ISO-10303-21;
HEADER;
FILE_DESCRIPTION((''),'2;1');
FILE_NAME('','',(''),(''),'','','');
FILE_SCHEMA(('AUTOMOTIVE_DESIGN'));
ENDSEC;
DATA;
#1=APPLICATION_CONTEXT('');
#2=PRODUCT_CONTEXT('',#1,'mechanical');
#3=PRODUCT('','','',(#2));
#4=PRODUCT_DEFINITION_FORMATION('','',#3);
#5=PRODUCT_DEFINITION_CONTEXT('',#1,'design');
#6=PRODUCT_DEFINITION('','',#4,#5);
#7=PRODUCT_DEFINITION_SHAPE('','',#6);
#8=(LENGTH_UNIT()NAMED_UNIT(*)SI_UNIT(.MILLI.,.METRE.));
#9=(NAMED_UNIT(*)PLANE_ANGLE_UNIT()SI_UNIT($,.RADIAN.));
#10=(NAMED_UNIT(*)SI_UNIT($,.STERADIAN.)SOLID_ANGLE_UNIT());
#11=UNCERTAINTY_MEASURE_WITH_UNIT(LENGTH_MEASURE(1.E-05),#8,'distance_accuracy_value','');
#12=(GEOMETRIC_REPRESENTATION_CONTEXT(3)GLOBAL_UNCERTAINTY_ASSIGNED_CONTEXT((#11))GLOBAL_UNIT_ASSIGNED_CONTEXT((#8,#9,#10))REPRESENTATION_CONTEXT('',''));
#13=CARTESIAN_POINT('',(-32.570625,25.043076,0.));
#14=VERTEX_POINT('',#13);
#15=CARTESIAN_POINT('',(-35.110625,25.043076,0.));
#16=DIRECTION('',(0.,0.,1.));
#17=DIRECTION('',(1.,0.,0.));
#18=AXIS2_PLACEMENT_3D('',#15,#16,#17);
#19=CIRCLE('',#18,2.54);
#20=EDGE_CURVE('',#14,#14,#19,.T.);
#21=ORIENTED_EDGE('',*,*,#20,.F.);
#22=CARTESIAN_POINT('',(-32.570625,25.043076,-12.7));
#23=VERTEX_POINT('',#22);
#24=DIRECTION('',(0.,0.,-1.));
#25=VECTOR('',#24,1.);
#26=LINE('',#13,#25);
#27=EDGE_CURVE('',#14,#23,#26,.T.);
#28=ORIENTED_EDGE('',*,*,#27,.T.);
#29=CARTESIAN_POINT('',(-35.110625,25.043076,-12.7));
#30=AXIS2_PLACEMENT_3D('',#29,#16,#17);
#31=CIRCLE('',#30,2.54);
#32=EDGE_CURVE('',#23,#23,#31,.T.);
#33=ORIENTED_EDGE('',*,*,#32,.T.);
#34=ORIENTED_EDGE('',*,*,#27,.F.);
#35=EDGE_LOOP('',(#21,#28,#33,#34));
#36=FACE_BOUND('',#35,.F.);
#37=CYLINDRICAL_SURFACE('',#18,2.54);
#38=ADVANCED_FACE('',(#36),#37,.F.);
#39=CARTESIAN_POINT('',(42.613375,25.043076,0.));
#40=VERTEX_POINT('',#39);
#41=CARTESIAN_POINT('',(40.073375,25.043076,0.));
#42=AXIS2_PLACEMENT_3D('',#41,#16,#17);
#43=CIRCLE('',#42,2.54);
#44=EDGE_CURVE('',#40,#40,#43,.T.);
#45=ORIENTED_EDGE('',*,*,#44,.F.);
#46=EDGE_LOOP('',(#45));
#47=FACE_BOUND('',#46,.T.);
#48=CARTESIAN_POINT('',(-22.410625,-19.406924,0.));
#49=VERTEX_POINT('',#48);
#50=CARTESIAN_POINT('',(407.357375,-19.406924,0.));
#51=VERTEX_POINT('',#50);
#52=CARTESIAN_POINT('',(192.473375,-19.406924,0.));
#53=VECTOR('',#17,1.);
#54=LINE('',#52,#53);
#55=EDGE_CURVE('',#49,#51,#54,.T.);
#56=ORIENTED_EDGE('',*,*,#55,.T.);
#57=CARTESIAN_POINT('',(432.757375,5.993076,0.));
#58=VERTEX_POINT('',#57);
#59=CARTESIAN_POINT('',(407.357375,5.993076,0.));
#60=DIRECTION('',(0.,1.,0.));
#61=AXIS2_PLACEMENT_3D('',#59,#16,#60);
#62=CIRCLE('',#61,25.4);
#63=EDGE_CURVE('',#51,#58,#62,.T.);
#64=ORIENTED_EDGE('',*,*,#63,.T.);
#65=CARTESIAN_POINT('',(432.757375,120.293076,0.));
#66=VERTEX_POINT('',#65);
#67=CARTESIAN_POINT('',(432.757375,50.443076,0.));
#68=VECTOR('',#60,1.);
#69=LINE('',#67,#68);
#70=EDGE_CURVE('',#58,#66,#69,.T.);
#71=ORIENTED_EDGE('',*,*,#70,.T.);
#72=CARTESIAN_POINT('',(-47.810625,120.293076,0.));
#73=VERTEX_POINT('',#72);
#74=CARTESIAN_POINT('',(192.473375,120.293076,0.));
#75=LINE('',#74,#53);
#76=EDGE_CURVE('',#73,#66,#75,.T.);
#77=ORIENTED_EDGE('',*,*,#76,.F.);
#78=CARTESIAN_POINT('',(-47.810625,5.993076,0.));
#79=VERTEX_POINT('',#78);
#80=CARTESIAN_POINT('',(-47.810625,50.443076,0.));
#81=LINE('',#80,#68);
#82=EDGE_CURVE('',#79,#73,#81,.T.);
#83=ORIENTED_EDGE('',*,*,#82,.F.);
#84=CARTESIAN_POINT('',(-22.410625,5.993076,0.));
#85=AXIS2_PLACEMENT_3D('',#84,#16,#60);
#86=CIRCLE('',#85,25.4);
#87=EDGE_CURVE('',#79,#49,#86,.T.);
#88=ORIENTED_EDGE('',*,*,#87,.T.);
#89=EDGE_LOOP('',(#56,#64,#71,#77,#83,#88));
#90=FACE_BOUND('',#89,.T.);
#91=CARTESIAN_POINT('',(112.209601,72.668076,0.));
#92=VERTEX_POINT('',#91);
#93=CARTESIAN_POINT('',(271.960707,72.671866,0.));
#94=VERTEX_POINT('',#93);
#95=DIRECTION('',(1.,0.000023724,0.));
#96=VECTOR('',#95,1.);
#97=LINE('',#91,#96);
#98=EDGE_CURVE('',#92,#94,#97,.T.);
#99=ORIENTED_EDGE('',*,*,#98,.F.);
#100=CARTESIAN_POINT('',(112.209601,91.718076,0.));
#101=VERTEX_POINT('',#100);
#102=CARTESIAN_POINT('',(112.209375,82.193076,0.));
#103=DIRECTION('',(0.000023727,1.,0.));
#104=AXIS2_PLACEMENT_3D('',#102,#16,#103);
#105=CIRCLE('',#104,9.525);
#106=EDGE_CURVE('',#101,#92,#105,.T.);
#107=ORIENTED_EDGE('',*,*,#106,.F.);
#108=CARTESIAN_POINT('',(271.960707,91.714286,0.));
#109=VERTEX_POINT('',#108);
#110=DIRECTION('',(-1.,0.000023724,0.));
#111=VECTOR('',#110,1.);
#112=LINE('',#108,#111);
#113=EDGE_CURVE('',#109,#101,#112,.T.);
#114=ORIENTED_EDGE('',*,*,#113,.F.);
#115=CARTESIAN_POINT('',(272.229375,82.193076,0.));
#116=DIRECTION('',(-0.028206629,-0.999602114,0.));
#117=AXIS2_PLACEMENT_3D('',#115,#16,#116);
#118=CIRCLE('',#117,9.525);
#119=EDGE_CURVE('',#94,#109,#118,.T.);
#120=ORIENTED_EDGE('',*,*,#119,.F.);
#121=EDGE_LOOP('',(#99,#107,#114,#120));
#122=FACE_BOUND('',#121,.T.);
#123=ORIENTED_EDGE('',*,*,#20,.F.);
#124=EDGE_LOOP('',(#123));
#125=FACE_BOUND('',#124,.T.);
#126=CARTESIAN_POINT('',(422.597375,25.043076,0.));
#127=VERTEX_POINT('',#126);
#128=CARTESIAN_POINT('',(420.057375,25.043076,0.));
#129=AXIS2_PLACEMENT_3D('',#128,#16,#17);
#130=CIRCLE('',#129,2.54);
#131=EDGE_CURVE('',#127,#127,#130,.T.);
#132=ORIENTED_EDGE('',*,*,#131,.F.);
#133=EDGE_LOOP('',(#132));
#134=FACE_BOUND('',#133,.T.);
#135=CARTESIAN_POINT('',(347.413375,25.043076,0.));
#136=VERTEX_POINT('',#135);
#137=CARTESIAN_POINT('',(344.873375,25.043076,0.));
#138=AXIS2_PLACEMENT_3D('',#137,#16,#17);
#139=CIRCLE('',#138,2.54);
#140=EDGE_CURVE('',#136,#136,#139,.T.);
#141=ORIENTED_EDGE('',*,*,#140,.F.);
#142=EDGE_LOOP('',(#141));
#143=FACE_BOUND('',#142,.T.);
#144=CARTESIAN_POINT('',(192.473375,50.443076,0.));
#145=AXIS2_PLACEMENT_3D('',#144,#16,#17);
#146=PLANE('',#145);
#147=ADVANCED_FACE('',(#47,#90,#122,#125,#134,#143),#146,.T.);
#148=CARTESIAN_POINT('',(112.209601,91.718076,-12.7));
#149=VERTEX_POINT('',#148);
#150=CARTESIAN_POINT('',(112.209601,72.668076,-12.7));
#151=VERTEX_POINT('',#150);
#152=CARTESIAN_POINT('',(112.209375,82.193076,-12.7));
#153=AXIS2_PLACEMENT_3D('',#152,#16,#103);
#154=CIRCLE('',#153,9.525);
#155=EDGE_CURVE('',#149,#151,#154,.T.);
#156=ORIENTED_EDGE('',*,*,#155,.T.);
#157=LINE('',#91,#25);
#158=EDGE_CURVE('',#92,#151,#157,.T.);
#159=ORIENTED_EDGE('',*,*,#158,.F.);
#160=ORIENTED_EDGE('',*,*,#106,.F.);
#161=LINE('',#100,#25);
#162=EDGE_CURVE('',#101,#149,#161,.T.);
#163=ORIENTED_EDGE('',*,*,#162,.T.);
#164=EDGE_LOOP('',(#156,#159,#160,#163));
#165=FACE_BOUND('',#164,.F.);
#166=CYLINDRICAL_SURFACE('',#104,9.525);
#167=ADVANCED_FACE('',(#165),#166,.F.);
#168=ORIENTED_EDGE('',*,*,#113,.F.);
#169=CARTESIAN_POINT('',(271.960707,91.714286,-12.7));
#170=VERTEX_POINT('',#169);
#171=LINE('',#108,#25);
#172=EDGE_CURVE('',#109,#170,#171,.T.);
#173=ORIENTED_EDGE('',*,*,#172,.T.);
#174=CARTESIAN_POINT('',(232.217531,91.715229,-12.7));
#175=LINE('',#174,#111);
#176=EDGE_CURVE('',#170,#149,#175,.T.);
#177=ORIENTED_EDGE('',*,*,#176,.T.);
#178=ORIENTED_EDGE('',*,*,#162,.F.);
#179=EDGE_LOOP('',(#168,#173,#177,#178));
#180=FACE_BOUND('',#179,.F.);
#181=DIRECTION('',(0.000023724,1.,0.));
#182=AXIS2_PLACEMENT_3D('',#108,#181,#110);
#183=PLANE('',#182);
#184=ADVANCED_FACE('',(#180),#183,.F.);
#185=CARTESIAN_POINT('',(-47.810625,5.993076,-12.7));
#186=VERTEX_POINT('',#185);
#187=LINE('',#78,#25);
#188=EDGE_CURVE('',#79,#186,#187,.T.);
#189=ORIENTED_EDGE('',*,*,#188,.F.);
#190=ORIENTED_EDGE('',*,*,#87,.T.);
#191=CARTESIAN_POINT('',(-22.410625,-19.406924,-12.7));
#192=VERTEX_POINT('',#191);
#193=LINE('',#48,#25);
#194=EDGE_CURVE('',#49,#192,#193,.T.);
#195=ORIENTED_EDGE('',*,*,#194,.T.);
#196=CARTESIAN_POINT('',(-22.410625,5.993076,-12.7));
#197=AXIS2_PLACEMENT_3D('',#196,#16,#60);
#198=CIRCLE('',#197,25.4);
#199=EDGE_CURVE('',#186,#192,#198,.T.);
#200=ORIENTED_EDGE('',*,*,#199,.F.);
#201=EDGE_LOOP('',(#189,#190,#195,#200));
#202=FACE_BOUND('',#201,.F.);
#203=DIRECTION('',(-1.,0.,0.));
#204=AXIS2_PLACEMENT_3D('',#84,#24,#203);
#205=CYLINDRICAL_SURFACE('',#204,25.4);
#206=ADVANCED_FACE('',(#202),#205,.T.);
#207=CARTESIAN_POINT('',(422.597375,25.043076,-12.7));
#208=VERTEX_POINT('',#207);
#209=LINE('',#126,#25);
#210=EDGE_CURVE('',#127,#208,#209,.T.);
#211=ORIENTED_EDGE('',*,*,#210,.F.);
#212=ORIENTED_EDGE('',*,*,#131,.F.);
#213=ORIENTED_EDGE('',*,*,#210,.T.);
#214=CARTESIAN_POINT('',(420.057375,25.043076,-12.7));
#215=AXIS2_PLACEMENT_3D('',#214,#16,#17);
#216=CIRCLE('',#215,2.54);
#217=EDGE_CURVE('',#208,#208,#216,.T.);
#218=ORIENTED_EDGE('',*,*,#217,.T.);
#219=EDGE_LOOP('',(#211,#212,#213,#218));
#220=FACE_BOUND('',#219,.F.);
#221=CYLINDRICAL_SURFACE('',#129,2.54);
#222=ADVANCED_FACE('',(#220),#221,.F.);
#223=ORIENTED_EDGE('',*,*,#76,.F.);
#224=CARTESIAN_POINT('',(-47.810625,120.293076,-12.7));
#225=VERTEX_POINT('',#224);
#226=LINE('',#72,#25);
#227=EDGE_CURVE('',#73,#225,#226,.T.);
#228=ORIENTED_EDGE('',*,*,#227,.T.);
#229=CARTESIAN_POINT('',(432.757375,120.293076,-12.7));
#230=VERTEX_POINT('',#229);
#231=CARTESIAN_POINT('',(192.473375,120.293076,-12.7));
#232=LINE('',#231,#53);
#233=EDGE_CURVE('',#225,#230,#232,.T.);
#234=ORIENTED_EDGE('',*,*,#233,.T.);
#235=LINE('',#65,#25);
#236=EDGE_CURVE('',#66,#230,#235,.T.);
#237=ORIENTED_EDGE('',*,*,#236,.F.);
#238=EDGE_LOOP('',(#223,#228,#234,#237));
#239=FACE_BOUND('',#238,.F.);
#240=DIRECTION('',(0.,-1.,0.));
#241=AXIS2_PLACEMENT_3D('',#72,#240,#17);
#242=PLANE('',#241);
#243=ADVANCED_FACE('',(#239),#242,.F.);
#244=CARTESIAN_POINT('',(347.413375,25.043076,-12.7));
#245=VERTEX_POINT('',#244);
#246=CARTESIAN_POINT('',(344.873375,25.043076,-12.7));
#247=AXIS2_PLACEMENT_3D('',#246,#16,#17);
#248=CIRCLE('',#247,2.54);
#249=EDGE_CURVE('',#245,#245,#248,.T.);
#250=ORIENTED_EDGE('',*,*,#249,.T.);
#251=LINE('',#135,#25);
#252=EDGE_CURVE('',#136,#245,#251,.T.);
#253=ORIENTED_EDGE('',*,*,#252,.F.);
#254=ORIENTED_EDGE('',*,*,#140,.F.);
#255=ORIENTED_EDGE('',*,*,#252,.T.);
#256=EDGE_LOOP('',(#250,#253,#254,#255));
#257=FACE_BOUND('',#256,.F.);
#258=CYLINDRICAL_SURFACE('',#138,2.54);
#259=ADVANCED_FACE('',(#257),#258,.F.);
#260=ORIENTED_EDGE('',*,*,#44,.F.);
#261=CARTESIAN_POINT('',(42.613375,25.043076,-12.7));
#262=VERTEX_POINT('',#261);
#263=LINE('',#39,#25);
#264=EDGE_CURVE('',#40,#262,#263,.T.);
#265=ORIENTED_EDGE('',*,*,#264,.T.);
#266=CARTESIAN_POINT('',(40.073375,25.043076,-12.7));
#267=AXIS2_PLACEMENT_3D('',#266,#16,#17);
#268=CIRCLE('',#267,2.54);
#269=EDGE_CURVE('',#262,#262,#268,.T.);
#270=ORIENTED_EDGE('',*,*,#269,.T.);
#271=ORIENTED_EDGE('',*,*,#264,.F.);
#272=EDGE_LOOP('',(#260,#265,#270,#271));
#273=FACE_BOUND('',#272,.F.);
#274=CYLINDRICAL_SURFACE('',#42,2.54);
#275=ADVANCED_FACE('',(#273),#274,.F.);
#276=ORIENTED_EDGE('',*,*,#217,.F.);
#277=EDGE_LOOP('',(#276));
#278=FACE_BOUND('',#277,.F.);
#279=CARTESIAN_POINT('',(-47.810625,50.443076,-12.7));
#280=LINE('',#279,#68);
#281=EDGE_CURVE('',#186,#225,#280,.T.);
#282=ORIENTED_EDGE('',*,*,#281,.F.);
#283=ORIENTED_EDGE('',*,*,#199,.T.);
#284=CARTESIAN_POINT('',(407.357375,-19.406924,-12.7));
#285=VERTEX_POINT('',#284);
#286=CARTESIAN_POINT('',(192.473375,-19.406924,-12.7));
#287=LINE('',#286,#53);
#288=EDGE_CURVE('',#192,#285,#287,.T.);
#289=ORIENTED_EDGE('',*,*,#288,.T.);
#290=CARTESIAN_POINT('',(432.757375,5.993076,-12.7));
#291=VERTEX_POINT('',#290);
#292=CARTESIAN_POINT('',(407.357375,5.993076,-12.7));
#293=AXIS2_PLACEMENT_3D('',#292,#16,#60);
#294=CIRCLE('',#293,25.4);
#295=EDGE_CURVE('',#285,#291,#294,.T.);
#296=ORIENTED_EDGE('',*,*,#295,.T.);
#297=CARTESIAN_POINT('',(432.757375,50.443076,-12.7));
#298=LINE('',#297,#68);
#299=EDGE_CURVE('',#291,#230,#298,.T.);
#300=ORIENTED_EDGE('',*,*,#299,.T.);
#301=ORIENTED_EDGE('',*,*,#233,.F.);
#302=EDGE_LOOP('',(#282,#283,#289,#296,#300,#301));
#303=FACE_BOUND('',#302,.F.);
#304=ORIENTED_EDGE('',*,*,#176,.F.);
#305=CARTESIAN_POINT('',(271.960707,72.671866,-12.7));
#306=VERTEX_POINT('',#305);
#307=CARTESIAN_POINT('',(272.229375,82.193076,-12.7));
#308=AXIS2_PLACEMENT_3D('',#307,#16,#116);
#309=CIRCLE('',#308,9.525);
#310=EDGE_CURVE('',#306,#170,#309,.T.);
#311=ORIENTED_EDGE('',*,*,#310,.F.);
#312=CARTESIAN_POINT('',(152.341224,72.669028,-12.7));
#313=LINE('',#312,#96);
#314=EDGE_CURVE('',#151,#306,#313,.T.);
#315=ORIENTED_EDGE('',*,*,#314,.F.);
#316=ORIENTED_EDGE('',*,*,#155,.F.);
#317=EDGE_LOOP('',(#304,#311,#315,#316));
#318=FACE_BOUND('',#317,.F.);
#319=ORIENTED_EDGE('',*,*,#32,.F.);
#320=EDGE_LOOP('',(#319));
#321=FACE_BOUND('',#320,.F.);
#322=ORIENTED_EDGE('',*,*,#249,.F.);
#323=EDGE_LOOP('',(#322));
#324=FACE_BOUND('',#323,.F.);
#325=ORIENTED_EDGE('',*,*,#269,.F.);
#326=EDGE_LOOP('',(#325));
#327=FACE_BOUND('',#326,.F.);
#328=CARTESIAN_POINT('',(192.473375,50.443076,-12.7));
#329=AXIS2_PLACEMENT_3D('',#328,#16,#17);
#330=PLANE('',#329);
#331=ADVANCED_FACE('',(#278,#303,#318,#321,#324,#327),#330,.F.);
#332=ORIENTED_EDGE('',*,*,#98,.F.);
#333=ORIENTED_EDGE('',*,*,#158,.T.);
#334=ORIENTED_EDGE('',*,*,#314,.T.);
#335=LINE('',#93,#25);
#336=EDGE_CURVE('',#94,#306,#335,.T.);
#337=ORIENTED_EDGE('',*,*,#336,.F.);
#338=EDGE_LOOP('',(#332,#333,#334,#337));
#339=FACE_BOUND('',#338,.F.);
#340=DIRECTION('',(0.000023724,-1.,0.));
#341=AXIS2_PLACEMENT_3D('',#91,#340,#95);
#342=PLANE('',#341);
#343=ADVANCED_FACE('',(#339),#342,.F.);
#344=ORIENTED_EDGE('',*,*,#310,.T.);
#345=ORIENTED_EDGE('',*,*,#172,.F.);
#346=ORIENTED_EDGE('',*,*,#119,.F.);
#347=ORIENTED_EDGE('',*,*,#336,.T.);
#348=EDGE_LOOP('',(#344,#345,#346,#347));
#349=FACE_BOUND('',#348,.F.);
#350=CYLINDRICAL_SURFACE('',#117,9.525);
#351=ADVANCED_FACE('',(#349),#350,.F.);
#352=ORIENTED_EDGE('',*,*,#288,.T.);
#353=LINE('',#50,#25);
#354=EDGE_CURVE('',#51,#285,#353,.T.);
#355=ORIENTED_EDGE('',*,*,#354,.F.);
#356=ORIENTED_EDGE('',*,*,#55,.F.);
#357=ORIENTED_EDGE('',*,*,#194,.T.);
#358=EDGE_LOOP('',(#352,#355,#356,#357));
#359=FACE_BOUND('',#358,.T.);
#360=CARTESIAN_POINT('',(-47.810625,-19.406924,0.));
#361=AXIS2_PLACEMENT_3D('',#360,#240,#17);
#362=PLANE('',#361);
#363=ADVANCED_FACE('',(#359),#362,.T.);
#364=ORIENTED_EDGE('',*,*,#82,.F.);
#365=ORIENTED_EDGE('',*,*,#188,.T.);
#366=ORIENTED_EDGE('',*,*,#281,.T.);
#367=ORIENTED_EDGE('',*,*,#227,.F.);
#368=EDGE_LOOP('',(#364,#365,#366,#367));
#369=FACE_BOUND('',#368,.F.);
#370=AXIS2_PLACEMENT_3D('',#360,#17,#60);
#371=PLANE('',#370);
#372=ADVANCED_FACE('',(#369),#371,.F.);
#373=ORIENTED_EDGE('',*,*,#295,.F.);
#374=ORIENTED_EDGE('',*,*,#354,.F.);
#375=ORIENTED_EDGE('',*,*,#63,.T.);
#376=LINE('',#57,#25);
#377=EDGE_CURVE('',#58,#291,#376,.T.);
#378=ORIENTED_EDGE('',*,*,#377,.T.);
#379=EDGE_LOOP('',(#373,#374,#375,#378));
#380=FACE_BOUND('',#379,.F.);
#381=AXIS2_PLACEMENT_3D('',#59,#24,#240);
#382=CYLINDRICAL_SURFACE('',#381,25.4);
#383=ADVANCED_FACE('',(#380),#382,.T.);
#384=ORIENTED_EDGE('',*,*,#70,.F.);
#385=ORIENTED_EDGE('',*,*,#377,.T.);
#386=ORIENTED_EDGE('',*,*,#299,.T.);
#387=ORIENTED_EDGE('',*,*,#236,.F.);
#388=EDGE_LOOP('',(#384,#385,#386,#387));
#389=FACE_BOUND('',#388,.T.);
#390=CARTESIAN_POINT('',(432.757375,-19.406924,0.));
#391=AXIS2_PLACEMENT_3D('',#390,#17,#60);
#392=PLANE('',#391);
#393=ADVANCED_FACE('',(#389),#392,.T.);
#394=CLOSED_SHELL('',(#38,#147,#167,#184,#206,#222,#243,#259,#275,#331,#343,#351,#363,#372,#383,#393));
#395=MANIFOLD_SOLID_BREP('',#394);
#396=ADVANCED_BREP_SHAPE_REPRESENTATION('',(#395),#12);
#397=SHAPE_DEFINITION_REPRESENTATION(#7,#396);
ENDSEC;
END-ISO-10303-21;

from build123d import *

# Parameters (mm, degrees)
F0_W     = 480.568
F0_H     = 139.7
F1_DEPTH = 12.7
F2_R     = 2.54
F3_DEPTH = 25.4
F4_R     = 25.4


with BuildPart() as f1:
    # F0 (on Top) → F1 (new body)
    with BuildSketch(Plane.XY):
        with Locations((192.473375, 50.443076)):
            Rectangle(F0_W, F0_H)
    extrude(amount=-F1_DEPTH)

    # F2 (on face) → F3 (cut)
    with BuildSketch(Plane.XY):
        with Locations((-35.110625, 25.043076)):
            Circle(F2_R)
        with BuildLine():
            Line((271.960707, 91.714286), (112.209601, 91.718076))
            ThreePointArc((112.209601, 91.718076), (102.684375, 82.193076), (112.209601, 72.668076))
            Line((112.209601, 72.668076), (271.960707, 72.671866))
            ThreePointArc((271.960707, 72.671866), (281.754375, 82.193076), (271.960707, 91.714286))
        make_face()
        with Locations((40.073375, 25.043076)):
            Circle(F2_R)
        with Locations((344.873375, 25.043076)):
            Circle(F2_R)
        with Locations((420.057375, 25.043076)):
            Circle(F2_R)
    extrude(amount=-F3_DEPTH, mode=Mode.SUBTRACT)

    # F4
    f4_edges = [f1.edges().sort_by_distance(p)[0] for p in [
        (-47.810625, -19.406924, -6.35),
        (432.757375, -19.406924, -6.35),
    ]]
    fillet(f4_edges, radius=F4_R)


solid = f1.part
